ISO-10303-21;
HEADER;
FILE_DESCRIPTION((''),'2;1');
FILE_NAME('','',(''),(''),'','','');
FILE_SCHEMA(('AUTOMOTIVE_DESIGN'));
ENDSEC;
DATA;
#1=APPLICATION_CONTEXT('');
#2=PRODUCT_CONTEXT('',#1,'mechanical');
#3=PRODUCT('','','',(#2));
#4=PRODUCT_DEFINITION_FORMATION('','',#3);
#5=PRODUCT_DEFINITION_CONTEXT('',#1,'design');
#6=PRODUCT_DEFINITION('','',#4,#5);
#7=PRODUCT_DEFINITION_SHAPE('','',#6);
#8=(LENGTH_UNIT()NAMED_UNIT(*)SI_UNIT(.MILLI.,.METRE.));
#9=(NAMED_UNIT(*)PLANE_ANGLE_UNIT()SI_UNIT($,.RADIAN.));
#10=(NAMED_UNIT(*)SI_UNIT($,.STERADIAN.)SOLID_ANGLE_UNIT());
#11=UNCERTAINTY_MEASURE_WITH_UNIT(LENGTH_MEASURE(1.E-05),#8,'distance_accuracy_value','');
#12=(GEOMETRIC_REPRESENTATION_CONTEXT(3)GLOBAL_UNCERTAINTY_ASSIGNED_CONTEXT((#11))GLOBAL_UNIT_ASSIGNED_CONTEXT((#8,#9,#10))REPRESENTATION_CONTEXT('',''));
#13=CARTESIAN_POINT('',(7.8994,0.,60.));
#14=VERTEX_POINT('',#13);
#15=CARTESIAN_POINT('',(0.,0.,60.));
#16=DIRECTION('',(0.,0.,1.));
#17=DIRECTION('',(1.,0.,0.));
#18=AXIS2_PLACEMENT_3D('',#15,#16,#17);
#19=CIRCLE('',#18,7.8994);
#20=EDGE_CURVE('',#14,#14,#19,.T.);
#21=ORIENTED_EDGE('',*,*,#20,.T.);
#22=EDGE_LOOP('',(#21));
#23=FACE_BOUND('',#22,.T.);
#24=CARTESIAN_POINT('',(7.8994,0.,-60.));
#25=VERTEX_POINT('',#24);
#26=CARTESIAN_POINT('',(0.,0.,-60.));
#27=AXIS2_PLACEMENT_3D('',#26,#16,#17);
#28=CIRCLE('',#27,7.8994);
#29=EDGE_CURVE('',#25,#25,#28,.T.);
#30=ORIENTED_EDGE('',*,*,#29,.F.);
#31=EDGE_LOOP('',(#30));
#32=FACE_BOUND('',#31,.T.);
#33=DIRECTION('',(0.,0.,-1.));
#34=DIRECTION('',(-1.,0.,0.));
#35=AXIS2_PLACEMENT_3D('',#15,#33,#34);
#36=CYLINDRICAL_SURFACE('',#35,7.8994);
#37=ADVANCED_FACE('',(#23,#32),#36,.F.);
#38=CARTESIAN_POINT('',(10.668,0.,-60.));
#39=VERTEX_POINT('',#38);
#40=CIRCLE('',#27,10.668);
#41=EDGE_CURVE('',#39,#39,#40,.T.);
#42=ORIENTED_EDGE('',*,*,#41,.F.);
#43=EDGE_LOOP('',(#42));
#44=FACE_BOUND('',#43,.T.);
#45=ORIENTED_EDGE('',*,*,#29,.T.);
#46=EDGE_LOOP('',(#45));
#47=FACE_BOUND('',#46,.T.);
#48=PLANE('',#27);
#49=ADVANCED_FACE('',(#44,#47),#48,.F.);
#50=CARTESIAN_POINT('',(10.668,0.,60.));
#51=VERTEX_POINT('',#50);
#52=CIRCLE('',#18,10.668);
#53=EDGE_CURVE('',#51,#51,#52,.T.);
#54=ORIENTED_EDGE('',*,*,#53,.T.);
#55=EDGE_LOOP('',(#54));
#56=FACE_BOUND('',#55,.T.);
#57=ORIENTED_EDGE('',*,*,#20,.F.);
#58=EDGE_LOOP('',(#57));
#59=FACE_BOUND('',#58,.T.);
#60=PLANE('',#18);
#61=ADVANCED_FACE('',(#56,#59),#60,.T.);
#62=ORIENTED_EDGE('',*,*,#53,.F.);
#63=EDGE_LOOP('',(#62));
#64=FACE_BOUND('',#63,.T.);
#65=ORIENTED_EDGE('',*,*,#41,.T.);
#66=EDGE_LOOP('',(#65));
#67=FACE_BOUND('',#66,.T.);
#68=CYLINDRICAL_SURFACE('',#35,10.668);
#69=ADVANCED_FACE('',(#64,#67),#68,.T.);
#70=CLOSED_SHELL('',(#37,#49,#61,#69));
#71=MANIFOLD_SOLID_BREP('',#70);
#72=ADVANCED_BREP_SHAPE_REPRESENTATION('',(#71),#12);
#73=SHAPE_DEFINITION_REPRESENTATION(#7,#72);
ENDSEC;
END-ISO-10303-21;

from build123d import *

# Parameters (mm, degrees)
SKETCH1_R           = 10.668
SKETCH1_R_2         = 7.8994
EXTRUDE_THIN1_DEPTH = 60


with BuildPart() as part:
    # Sketch1 → Extrude-Thin1 (new body, symmetric)
    with BuildSketch(Plane.XY):
        Circle(SKETCH1_R)
        Circle(SKETCH1_R_2, mode=Mode.SUBTRACT)
    extrude(amount=EXTRUDE_THIN1_DEPTH, both=True)


solid = part.part
